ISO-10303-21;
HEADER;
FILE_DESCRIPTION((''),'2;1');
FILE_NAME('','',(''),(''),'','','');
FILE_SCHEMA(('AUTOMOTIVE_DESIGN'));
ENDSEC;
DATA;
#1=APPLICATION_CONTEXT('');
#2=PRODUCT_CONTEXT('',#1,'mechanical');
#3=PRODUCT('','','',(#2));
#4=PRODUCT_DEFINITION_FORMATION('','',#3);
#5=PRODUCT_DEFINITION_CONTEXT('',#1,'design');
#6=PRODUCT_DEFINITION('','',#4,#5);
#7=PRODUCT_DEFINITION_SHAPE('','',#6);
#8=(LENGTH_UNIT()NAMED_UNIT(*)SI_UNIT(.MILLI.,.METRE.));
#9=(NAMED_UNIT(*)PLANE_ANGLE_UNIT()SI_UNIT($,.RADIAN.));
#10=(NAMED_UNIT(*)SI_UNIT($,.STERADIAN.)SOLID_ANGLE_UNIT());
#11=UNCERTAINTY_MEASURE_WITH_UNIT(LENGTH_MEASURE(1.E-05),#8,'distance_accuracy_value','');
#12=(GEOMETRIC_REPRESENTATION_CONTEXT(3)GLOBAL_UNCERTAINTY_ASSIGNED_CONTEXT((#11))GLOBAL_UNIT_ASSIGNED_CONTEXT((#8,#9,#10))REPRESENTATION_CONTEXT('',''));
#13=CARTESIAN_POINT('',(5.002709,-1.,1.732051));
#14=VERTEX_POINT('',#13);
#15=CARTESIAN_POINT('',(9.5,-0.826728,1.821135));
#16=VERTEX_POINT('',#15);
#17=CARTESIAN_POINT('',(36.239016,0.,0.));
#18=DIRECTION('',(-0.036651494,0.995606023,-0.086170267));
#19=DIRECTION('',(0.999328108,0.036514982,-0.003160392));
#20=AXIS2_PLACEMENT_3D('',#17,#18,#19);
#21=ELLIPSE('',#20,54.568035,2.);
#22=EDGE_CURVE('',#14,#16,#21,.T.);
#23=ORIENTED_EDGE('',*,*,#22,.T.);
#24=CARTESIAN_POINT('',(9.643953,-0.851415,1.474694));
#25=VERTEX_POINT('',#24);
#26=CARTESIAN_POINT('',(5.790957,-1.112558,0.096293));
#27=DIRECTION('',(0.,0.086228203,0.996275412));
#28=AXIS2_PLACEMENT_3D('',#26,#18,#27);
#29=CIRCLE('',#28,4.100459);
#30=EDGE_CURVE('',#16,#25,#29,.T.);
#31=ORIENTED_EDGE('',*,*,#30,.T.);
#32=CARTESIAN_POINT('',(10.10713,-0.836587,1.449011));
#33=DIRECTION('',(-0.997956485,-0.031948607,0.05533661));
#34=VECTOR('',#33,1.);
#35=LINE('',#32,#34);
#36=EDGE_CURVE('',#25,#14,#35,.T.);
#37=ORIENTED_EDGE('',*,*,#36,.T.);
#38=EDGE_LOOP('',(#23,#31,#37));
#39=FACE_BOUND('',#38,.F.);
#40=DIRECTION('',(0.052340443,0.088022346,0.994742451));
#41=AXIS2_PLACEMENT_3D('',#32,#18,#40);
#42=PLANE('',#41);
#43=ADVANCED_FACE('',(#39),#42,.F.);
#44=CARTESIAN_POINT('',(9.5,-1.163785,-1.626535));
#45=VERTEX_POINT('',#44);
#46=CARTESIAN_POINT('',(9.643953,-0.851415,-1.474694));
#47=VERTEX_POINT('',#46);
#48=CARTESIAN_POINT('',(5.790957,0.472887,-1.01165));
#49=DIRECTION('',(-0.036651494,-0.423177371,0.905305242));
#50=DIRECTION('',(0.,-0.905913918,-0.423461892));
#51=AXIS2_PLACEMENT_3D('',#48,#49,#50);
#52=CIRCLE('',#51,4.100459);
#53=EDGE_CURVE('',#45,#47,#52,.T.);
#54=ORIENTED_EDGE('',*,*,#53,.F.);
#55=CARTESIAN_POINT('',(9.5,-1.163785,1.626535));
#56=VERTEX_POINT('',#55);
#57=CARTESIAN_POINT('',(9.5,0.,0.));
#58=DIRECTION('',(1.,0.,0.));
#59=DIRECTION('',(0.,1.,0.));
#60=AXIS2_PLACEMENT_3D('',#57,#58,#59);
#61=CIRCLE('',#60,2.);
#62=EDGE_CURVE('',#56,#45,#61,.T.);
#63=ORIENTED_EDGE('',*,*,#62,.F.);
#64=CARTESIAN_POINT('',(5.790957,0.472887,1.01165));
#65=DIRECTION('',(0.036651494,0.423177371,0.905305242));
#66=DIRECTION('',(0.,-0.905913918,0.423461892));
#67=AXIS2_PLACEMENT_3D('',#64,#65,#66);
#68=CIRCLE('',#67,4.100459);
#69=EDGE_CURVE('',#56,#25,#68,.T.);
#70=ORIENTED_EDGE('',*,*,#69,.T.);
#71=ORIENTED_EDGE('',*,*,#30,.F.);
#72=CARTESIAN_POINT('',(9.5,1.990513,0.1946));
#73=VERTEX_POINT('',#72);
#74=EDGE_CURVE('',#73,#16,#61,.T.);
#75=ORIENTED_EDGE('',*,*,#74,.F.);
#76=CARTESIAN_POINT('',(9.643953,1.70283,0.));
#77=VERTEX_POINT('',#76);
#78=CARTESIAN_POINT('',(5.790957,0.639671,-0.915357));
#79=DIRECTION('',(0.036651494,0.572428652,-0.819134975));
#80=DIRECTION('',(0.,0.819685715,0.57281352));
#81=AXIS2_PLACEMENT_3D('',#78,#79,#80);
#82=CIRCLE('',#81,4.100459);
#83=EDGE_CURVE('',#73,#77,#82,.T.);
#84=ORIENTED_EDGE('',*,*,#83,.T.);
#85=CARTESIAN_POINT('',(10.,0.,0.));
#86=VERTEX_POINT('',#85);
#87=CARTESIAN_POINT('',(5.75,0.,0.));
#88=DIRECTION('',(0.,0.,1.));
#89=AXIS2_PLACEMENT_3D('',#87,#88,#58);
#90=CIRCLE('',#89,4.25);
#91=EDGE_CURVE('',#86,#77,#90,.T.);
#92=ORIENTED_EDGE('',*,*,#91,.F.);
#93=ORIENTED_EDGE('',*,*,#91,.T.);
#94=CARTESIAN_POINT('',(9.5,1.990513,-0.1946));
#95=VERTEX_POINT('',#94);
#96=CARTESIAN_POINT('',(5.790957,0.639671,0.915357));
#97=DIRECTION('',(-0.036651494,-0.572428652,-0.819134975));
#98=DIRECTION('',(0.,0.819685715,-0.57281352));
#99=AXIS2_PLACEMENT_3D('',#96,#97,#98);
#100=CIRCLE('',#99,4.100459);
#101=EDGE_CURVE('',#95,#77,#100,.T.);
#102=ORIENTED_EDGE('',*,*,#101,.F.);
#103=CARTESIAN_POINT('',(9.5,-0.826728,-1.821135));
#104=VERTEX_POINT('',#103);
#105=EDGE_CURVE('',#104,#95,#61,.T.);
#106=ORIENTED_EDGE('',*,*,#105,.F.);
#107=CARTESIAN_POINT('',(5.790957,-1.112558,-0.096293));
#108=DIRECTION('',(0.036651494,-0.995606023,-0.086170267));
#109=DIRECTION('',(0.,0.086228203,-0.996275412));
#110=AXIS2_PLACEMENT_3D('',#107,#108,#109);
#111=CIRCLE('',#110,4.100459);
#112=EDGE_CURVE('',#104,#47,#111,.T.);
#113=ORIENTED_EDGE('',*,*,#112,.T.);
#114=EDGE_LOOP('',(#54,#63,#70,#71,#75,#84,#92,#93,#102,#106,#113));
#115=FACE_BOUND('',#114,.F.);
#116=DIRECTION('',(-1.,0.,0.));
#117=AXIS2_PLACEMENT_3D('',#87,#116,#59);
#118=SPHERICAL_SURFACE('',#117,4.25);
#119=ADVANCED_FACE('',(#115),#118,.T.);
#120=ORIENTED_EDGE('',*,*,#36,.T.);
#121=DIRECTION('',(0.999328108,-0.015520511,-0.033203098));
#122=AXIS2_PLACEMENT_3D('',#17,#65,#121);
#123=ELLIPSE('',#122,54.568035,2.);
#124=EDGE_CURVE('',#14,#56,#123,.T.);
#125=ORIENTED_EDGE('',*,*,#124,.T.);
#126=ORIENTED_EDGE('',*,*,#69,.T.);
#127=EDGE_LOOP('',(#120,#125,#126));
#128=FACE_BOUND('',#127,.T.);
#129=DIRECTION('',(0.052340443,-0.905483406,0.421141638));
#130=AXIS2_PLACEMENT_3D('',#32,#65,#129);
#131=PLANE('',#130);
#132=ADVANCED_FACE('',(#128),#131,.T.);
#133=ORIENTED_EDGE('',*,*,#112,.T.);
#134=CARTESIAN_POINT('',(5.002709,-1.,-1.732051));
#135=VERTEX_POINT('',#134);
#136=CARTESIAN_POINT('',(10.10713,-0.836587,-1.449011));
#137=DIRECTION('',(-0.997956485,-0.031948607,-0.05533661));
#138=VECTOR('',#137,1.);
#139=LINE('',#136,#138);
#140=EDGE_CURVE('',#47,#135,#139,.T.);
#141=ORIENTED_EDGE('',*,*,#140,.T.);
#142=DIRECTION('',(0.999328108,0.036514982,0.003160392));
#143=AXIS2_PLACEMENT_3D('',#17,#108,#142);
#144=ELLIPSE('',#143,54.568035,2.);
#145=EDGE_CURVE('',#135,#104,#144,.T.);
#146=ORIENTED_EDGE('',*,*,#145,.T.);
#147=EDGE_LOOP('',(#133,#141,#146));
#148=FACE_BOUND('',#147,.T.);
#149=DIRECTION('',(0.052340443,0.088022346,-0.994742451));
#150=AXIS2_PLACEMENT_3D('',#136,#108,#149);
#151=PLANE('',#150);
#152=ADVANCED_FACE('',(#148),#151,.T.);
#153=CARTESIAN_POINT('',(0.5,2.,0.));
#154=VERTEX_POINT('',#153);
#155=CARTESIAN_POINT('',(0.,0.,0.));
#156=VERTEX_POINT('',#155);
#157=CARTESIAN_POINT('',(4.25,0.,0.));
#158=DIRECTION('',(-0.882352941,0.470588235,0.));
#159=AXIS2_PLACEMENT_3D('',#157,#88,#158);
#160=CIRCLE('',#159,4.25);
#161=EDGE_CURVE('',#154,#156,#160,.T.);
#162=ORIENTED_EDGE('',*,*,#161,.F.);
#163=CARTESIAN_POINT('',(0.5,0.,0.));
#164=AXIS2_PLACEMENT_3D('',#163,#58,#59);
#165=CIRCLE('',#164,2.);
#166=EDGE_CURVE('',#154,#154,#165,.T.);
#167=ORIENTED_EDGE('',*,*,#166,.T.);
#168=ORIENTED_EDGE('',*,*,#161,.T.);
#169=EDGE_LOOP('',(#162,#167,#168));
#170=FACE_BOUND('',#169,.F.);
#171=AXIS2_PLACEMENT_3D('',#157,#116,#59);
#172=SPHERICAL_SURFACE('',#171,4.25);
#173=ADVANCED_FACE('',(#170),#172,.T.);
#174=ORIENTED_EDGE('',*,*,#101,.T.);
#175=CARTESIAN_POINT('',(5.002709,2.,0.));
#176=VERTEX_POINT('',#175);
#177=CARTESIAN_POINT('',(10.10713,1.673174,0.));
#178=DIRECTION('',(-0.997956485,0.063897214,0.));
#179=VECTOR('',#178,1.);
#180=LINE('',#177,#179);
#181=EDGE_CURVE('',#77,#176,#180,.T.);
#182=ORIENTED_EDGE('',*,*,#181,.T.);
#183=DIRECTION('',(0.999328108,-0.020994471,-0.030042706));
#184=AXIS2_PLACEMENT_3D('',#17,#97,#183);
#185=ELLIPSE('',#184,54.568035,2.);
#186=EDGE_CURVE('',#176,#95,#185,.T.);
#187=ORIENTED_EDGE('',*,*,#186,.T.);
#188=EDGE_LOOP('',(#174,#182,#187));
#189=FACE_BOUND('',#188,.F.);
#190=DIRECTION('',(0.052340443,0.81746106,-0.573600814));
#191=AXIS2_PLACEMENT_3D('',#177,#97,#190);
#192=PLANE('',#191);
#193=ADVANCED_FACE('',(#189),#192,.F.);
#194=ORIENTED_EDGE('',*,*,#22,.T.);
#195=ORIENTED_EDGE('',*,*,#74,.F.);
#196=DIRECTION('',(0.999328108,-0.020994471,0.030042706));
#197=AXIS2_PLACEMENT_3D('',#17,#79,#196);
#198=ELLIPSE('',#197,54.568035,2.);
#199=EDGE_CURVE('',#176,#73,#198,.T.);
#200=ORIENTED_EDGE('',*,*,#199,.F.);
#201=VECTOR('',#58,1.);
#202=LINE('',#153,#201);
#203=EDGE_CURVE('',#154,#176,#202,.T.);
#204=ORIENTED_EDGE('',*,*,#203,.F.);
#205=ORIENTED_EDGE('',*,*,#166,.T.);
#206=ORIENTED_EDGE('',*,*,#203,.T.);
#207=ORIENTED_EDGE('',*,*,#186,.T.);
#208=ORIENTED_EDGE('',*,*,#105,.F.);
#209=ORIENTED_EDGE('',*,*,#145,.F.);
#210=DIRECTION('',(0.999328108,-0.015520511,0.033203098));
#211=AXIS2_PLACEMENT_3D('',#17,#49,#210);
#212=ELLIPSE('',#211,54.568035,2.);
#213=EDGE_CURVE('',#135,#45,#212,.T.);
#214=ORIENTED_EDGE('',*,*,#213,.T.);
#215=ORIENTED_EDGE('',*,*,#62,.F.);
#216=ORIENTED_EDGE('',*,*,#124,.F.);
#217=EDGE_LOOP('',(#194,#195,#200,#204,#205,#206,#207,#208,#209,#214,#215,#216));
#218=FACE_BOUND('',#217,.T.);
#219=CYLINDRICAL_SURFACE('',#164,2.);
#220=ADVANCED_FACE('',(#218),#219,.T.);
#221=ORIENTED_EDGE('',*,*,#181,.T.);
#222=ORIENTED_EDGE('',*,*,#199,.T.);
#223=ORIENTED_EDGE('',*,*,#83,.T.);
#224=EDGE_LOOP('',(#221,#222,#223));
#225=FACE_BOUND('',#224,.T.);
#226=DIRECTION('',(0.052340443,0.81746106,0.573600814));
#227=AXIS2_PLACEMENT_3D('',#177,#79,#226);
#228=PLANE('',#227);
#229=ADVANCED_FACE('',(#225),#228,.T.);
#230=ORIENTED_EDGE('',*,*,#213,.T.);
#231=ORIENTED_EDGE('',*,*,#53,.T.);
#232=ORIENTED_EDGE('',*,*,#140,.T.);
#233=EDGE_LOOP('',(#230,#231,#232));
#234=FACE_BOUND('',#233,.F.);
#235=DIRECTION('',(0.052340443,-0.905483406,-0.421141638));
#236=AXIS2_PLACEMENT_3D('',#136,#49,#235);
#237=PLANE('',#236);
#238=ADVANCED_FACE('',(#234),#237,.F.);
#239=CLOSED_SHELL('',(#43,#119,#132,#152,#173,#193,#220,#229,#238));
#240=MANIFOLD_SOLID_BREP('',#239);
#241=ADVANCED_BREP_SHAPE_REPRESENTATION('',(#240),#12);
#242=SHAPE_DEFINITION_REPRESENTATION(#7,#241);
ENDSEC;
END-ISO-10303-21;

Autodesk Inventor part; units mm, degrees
ref_plane "YZ Plane" through (0, 0, 0) normal (1, 0, 0) x (0, 1, 0)
sketch "Skizze1" plane through (0, 0, 0) normal (0, 0, 1) x (1, 0, 0)
  line L0 (0, 0) -> (10, 0)
  line L1 (0.5, 2) -> (9.5, 2)
  arc A0 (0.5, 2) -> (0, 0) centre (4.25, 0) ccw
  arc A1 (10, 0) -> (9.5, 2) centre (5.75, 0) ccw
  line L2 (10, 0) -> (10, 1.68) construction
  line L3 (10, 1.68) -> (5, 2) construction
  line L4 (-12.8617, 0) -> (72.8617, 0) projected
  line L5 (0, 12.1847) -> (0, -2.0308) projected
  point P0 (5, 0)
  dimension "d0" = 4
  dimension "d1" = 10
  dimension "d2" = 3.36
  dimension "d12" = 5
  dimension "d17" = 0.5
  dimension "d18" = 0.5
revolve "Körper" add sketch "Skizze1" angle 360 about axis through (0, 0, 0) along (1, 0, 0)
ref_plane "Work Plane1" through (10, 0, 0) normal (1, 0, 0) x (0, 1, 0)
sketch "Skizze2" plane through (10, 0, 0) normal (1, 0, 0) x (0, 1, 0)
  line L0 (0, -14) -> (0, 14) projected
ref_plane "Work Plane2" through (10, 0, -10) normal (0.998, -0.0639, 0) x (0.0639, 0.998, 0)
sketch "Skizze3" plane through (10, 0, -10) normal (0.998, -0.0639, 0) x (0.0639, 0.998, 0)
  ellipse E0 centre (-0.0319, 10) end of major axis (-0.0319, 12) minor radius 1.9959 projected
  line L0 (-0.3193, 10) -> (1.6766, 10) projected
  line L1 (1.6766, 10) -> (1.9545, 10.1946)
  line L2 (1.6766, 10) -> (1.9545, 9.8054)
  arc A0 (1.9545, 9.8054) -> (1.9545, 10.1946) centre (-0.0319, 10) ccw
  dimension "d7" = 70
extrude "Nut" cut sketch "Skizze3" against normal up to next contours L2 L1 E0 picked at (1.8643, 10.0973)
pattern_circular "Nuten" count 3 over 360 about axis through (5, 0, 0) along (1, 0, 0) of "Nut"
equation "\"d0\" = NND"
equation "\"d1\" = NLG"
equation "\"d2\" = 0.84 * NND"
equation "\"d17\" = KAH"
equation "\"d18\" = KAH"
equation "\"d8\" = 0.5 * NLG"
equation "\"NND\" = 4"
equation "\"NLG\" = 10"
equation "\"KAH\" = 0.5"
equation "\"d6\" = -d5"
equation "\"FAC\" = 0.5"
equation "\"NND1\" = 4.25"
equation "\"NLG1\" = 9"
properties part number "ISO 8745 - 4 x 10" material "Edelstahl, austenitisch"
